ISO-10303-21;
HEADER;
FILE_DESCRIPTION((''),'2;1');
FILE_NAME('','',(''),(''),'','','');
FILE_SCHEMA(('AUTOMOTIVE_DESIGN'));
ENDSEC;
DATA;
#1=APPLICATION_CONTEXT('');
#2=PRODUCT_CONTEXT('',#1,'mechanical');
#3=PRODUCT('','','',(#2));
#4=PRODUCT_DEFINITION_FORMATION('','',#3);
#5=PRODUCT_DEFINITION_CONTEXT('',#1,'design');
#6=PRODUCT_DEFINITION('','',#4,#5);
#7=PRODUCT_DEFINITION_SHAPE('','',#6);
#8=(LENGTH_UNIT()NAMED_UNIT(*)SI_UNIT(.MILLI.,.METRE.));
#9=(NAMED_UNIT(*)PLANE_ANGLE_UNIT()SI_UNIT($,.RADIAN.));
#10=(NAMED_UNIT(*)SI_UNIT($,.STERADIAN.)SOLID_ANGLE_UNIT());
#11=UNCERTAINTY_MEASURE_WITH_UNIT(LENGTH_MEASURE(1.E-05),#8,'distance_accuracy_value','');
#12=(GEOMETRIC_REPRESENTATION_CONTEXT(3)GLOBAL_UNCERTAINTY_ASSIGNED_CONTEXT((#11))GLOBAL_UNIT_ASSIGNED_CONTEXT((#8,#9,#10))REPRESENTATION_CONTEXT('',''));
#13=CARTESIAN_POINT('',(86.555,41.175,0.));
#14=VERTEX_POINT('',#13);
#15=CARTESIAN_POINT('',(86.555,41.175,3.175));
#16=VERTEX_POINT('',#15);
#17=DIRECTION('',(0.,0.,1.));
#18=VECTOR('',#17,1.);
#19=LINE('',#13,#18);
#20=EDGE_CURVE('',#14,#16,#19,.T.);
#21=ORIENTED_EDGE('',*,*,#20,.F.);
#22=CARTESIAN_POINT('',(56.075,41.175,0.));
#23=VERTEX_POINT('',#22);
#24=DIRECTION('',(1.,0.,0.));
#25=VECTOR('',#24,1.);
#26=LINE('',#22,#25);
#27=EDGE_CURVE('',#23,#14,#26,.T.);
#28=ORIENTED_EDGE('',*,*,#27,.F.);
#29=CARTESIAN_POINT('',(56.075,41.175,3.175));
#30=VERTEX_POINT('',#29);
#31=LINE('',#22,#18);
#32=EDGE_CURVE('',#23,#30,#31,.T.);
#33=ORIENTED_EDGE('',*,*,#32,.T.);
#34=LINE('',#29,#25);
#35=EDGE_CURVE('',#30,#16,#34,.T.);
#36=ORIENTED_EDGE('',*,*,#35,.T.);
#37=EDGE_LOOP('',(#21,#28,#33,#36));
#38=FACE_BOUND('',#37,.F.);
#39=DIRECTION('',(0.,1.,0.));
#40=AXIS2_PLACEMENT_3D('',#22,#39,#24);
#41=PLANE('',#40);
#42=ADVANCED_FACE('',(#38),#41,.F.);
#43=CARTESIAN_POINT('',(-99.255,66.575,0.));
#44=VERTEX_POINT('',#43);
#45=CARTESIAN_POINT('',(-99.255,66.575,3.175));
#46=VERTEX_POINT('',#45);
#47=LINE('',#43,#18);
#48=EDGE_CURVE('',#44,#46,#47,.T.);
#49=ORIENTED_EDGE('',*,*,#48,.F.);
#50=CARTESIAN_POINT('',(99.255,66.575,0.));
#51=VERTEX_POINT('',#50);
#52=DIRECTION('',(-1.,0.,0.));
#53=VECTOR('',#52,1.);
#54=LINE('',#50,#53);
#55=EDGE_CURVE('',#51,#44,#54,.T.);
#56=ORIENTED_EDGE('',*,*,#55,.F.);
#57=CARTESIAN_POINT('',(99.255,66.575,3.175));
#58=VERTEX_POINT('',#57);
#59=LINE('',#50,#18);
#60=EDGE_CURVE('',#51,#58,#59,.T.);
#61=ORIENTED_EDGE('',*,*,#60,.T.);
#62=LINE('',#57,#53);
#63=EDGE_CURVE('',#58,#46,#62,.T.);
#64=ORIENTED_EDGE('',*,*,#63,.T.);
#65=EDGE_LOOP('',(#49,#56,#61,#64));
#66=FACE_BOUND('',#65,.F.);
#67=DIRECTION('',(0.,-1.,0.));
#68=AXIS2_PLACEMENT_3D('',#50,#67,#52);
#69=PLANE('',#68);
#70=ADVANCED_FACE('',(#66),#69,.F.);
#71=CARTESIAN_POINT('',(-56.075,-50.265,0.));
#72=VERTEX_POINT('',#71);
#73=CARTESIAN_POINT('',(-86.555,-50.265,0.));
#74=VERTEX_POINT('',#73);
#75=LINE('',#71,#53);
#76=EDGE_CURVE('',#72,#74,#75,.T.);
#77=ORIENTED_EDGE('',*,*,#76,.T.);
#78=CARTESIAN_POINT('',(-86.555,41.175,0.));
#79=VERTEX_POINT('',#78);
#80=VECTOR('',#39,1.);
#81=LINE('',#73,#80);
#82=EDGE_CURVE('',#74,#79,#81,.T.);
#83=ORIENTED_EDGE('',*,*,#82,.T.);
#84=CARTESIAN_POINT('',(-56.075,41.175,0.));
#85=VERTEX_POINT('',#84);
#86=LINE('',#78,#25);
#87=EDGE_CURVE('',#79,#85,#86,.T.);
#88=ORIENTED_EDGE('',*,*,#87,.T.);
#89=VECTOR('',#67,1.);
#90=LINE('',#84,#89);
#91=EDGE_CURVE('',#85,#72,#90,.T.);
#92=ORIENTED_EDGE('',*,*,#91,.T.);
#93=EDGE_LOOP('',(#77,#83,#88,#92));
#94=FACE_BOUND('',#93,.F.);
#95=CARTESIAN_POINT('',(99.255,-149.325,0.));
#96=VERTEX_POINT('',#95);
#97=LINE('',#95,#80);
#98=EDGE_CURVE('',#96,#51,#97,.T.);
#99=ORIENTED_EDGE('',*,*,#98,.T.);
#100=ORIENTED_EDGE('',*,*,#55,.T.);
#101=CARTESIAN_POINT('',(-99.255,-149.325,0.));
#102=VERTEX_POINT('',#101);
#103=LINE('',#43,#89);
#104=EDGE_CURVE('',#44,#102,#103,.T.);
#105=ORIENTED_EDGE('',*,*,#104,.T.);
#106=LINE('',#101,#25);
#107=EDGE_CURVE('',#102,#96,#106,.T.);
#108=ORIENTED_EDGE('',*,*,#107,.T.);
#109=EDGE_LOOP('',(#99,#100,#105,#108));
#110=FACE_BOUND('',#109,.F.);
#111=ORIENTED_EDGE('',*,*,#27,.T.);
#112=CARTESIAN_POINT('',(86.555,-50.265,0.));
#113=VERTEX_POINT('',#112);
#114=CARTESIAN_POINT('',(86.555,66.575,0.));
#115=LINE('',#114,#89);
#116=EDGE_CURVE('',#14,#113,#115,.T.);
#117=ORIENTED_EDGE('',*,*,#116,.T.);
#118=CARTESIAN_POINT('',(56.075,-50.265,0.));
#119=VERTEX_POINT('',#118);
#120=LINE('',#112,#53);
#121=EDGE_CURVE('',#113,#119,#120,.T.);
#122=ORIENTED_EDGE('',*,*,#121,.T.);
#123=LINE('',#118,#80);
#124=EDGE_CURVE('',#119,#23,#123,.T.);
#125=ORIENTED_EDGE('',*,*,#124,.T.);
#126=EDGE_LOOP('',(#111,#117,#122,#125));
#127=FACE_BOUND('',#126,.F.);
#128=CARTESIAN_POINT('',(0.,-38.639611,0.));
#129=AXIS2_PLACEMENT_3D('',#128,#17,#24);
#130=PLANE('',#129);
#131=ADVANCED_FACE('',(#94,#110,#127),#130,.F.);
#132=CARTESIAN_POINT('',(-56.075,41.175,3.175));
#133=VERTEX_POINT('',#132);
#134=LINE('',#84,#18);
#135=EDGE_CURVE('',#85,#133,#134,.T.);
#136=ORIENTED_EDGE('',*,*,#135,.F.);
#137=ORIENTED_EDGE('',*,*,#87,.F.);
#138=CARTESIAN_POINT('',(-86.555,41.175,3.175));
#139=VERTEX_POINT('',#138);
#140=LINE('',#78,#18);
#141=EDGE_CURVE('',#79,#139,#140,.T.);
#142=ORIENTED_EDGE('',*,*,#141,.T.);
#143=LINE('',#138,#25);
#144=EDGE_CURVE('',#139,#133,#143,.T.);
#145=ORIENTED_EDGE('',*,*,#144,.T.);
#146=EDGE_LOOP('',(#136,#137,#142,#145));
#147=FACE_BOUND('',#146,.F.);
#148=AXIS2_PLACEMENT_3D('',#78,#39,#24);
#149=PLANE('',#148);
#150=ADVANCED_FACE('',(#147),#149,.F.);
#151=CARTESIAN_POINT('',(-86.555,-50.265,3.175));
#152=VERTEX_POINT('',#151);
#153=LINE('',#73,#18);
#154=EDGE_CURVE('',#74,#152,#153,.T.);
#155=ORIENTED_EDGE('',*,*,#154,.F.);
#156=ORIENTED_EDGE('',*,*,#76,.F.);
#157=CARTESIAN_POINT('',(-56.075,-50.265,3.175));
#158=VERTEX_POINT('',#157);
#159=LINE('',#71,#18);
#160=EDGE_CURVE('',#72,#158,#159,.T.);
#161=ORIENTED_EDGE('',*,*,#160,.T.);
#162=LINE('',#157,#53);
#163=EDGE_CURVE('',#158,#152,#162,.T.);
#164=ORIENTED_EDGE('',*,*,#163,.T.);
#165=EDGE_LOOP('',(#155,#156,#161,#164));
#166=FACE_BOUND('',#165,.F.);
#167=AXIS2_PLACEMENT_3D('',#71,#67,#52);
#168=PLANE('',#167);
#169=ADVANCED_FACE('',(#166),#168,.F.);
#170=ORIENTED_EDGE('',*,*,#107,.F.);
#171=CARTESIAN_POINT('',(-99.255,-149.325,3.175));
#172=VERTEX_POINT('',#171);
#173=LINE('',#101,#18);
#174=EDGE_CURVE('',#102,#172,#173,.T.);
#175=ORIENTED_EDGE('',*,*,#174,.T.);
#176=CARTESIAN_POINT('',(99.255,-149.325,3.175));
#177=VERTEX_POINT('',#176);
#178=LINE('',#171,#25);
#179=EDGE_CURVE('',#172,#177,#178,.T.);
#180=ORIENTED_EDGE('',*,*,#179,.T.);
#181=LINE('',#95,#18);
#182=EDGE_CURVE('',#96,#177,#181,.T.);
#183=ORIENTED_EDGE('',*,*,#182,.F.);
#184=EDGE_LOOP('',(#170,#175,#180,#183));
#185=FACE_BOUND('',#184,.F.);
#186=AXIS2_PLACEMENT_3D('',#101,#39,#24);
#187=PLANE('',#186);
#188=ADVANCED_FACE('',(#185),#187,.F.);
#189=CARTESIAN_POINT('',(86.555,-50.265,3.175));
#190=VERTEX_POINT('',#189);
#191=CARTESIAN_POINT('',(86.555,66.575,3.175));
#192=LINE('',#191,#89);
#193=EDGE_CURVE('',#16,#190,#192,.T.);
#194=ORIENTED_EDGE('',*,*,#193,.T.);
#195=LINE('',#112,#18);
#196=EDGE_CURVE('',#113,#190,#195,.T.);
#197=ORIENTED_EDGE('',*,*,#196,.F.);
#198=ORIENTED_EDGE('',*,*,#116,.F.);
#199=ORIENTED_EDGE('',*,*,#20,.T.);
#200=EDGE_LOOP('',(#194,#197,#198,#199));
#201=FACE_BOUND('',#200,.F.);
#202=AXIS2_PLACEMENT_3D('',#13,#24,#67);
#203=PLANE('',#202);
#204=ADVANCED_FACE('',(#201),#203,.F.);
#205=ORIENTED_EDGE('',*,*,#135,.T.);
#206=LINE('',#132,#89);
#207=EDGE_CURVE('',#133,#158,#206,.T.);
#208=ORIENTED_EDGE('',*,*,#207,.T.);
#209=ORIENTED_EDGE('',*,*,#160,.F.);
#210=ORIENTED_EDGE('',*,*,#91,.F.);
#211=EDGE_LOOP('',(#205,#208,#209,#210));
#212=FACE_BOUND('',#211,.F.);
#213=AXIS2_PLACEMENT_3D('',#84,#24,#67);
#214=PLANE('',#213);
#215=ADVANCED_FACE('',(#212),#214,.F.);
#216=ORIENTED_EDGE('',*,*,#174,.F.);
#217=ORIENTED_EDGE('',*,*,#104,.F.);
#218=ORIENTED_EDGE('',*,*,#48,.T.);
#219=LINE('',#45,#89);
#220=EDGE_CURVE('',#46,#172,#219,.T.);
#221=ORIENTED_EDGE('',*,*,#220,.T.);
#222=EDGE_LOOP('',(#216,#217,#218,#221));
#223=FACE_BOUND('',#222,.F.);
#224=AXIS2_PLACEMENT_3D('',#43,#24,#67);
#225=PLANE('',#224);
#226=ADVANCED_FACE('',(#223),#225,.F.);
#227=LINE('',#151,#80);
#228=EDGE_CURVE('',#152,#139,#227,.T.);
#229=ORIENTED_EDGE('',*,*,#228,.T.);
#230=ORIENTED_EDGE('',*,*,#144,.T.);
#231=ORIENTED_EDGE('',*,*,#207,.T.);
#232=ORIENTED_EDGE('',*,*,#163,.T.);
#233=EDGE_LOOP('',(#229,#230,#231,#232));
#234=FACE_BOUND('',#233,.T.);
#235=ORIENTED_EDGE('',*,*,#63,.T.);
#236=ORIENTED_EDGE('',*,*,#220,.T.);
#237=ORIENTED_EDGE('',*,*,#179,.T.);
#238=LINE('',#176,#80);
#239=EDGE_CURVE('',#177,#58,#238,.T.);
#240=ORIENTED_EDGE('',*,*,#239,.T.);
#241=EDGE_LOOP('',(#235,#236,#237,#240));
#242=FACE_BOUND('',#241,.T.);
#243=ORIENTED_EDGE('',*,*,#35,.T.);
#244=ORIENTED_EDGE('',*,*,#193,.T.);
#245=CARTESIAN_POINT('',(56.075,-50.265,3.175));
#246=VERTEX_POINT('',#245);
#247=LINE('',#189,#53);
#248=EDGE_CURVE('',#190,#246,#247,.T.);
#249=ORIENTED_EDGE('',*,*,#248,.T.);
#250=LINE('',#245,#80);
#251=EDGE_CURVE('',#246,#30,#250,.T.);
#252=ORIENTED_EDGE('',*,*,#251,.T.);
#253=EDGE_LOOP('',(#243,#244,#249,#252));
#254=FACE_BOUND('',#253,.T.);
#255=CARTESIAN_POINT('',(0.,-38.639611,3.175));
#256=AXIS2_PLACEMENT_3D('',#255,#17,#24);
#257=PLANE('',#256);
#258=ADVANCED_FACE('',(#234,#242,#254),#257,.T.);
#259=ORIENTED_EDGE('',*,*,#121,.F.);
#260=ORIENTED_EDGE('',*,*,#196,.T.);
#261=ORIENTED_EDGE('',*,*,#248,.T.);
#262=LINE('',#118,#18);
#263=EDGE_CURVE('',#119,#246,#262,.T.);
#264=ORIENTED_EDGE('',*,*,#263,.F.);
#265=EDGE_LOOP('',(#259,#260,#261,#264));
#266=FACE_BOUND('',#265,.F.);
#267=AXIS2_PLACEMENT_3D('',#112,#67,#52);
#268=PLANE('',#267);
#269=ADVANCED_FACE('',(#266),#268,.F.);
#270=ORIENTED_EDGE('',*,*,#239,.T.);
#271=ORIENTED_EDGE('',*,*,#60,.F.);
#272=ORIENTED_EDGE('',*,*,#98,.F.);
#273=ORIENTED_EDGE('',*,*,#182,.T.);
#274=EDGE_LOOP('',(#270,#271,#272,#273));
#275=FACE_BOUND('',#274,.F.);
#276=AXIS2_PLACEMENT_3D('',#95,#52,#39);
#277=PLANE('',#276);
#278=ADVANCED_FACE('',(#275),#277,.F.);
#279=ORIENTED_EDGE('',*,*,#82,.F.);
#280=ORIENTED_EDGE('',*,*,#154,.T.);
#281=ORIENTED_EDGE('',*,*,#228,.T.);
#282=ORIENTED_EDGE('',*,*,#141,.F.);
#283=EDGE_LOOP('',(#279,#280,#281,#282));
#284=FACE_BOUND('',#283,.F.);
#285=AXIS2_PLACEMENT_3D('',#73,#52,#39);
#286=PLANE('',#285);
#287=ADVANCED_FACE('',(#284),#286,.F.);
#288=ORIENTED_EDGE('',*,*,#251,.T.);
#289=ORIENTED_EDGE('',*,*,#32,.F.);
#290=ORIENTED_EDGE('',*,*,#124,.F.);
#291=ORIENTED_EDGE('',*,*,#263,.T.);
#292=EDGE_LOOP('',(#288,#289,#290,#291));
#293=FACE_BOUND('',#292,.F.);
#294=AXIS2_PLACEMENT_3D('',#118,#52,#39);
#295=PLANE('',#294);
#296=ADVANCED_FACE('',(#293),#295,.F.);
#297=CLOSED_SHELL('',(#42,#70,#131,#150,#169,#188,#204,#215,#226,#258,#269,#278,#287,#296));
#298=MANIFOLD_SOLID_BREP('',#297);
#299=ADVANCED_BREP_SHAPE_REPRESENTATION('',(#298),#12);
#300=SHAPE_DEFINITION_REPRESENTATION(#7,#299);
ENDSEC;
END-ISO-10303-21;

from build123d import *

# Parameters (mm, degrees)
F1_DEPTH = 3.175


with BuildPart() as f1:
    # F0 (on Top) → F1 (new body)
    with BuildSketch(Plane.XY):
        Polygon((-30.675, -41.175), (-30.675, 38), (-30.675, 41.175), (-56.075, 41.175), (-56.075, -50.265), (-86.555, -50.265), (-86.555, 41.175), (-86.555, 66.575), (-99.255, 66.575), (-99.255, -149.325), (99.255, -149.325), (99.255, 66.575), (86.555, 66.575), (86.555, 41.175), (86.555, -50.265), (56.075, -50.265), (56.075, 41.175), (30.675, 41.175), (30.675, -38), (30.675, -41.175), (27.5, -41.175), (17.675, -41.175), (17.675, -99.35), (17.675, -102.525), (-17.675, -102.525), (-17.675, -99.35), (-17.675, -41.175), (-27.5, -41.175), align=None)
        Polygon((-30.675, 41.175), (-30.675, 38), (-30.675, -41.175), (-27.5, -41.175), (-17.675, -41.175), (-14.5, -41.175), (-13.75, -41.175), (0, -41.175), (14.5, -41.175), (17.675, -41.175), (27.5, -41.175), (30.675, -41.175), (30.675, -38), (30.675, 41.175), (27.5, 41.175), (-27.5, 41.175), align=None)
        Polygon((-27.5, -38), (-27.5, 0), (-27.5, 38), (27.5, 38), (27.5, -38), align=None, mode=Mode.SUBTRACT)
        Polygon((-56.075, 41.175), (-30.675, 41.175), (-27.5, 41.175), (27.5, 41.175), (30.675, 41.175), (56.075, 41.175), (86.555, 41.175), (86.555, 66.575), (-86.555, 66.575), (-86.555, 41.175), align=None)
        Polygon((-27.5, 38), (-27.5, 0), (-27.5, -38), (27.5, -38), (27.5, 38), align=None)
        Polygon((-14.5, -41.175), (-17.675, -41.175), (-17.675, -99.35), (-17.675, -102.525), (17.675, -102.525), (17.675, -99.35), (17.675, -41.175), (14.5, -41.175), (0, -41.175), (-13.75, -41.175), align=None)
        Polygon((-14.5, -96.175), (-14.5, -44.35), (14.5, -44.35), (14.5, -96.175), (14.5, -99.35), (-14.5, -99.35), align=None, mode=Mode.SUBTRACT)
        Polygon((14.5, -44.35), (-14.5, -44.35), (-14.5, -96.175), (-14.5, -99.35), (14.5, -99.35), (14.5, -96.175), align=None)
    extrude(amount=F1_DEPTH)


solid = f1.part
